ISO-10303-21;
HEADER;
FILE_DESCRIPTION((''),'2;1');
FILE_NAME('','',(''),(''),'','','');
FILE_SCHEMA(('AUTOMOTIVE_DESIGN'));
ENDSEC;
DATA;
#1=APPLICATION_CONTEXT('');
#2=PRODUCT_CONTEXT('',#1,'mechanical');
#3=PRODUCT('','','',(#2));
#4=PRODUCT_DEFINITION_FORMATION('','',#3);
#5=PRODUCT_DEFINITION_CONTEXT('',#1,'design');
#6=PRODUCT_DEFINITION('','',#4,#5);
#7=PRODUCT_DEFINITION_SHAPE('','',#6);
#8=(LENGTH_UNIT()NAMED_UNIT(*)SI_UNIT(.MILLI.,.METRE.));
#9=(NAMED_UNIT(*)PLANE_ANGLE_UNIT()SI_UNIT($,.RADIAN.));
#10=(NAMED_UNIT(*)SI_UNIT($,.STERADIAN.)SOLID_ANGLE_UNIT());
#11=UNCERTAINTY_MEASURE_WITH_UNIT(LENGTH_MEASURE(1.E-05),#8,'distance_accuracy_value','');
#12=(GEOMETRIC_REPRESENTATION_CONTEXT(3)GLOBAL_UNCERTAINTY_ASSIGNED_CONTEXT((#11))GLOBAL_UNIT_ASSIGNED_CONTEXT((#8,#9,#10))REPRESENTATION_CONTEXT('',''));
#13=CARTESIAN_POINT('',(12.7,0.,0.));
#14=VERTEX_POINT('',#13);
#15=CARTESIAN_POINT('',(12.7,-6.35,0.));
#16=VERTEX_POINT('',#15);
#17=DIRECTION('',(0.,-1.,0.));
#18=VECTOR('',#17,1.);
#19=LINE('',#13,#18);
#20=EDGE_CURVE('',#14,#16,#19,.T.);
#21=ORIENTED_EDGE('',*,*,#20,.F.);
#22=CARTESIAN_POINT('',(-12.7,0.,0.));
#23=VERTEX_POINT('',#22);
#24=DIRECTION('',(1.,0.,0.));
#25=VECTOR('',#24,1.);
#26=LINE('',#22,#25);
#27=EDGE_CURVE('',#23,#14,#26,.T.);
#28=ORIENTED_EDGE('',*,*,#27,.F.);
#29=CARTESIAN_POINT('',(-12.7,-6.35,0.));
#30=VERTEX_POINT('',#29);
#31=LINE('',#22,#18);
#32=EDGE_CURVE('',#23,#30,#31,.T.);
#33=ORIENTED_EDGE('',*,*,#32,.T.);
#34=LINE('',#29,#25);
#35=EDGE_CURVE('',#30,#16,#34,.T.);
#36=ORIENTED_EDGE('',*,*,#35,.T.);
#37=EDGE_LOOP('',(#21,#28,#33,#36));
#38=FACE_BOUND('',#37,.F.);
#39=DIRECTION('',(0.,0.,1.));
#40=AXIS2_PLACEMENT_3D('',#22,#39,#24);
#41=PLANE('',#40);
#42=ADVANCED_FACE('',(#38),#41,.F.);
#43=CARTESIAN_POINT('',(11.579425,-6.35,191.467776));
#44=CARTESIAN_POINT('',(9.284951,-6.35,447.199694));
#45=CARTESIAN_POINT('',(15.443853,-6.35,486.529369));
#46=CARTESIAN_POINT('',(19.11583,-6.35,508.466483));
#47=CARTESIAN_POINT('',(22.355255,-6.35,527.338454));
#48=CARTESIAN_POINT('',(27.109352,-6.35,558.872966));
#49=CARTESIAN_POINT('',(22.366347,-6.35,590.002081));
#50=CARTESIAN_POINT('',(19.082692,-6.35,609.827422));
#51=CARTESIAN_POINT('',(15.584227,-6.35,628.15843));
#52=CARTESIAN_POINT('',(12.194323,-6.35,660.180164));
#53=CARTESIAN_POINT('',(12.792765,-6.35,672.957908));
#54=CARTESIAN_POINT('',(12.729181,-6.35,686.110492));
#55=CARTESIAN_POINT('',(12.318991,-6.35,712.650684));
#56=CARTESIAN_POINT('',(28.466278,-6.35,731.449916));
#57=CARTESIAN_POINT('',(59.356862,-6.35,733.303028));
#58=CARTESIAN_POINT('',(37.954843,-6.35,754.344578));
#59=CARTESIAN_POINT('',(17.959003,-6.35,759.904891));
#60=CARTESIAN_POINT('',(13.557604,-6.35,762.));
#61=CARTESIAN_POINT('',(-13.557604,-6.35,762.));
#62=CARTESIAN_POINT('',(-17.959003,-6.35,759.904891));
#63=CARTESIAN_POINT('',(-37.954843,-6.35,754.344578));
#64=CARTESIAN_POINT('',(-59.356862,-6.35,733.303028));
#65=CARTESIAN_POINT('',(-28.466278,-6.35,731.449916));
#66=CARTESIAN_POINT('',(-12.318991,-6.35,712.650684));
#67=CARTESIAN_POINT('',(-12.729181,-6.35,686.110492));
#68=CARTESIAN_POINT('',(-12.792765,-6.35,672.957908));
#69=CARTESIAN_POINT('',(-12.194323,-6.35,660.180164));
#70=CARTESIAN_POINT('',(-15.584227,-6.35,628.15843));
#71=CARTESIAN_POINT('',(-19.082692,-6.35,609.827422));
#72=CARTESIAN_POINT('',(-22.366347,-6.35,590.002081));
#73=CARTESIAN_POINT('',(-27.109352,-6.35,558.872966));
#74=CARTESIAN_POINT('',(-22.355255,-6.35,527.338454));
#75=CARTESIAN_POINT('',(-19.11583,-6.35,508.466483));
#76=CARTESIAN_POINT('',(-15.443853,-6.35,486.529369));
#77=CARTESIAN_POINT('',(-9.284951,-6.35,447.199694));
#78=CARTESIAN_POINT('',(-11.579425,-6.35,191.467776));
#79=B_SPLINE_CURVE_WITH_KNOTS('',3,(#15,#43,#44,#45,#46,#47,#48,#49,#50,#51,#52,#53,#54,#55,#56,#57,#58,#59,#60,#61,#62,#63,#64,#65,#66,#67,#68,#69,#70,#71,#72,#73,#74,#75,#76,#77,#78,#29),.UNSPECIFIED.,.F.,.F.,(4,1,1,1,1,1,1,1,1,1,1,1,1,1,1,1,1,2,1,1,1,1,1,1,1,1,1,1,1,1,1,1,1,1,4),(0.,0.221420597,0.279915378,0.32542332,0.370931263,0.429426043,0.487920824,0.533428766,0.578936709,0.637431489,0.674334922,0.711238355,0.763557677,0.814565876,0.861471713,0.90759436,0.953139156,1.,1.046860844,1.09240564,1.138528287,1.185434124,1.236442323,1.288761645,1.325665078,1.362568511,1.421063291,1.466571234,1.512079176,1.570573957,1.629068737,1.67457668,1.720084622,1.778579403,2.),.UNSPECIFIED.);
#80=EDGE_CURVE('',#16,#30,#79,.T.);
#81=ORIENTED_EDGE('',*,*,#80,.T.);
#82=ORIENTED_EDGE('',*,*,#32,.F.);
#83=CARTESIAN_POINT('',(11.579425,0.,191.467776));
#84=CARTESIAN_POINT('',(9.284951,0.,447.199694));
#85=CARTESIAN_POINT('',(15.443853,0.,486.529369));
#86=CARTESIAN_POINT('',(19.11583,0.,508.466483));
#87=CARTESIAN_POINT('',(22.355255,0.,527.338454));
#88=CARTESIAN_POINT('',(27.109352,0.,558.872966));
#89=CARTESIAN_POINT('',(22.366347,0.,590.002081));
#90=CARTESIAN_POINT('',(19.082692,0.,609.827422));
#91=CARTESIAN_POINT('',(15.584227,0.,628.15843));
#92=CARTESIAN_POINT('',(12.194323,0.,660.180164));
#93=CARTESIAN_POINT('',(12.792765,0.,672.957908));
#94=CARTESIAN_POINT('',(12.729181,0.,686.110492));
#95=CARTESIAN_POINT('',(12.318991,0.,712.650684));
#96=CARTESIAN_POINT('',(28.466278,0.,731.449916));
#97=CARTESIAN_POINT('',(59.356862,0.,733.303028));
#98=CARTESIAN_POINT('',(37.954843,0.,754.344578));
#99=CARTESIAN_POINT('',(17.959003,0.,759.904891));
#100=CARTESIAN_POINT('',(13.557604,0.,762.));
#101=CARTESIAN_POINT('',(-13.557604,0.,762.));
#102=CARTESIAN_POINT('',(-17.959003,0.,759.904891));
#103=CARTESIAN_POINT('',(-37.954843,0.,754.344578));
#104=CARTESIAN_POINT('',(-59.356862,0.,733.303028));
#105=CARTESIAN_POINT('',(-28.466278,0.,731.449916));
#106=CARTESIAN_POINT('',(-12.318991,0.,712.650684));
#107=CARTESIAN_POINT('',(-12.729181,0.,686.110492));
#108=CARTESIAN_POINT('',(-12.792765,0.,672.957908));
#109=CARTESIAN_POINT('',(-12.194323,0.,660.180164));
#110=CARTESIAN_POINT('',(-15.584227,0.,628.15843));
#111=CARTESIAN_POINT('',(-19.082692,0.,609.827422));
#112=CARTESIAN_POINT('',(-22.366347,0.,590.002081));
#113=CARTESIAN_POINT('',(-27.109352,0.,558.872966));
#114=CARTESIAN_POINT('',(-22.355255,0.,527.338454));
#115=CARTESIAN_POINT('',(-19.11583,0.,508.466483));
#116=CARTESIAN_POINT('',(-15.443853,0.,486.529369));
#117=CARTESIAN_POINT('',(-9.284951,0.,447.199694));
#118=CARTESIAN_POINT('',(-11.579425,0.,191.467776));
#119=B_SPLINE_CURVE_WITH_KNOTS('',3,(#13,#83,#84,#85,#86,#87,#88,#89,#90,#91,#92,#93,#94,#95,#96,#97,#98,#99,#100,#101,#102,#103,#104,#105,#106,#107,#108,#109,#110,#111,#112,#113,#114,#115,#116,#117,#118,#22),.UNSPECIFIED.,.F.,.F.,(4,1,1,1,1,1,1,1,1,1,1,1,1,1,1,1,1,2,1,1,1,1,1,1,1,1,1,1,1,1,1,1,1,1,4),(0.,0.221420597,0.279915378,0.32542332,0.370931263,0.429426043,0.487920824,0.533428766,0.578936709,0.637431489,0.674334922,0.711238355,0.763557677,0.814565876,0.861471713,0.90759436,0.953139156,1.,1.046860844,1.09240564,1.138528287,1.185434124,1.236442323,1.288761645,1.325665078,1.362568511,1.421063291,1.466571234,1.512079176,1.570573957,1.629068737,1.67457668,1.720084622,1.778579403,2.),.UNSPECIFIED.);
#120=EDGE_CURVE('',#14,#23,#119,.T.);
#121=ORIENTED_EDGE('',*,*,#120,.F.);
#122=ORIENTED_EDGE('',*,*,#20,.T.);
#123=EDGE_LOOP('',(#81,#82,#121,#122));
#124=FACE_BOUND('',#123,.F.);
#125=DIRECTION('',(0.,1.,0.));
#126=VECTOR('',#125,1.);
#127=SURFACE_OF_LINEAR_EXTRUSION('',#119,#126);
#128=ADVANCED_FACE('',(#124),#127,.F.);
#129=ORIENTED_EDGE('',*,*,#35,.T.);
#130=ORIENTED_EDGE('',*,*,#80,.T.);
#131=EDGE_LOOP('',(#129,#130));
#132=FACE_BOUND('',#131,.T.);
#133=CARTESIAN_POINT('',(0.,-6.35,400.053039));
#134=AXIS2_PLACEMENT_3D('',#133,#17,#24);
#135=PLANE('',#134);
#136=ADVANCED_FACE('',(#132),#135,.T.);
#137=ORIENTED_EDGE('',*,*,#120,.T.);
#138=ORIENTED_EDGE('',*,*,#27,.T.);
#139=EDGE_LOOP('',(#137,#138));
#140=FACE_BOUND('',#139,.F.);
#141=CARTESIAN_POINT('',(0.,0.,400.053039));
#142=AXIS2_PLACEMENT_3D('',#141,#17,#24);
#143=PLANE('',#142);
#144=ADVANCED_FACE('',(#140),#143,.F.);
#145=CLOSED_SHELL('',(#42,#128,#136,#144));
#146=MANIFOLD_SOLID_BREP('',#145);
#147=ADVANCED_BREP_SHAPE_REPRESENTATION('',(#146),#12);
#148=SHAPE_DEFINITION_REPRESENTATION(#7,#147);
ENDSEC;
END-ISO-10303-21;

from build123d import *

# Parameters (mm, degrees)
F1_DEPTH = 6.35


with BuildPart() as f1:
    # F0 (on Front) → F1 (new body)
    with BuildSketch(Plane.XZ):
        with BuildLine():
            Line((-12.7, 0), (12.7, 0))
            add(Edge.make_bspline(
                [(12.7, 0), (11.5794250783, 191.4677760198), (9.2849510081, 447.1996937122), (15.4438525245, 486.5293687756), (19.115830028, 508.4664829813), (22.3552548502, 527.3384539621), (27.1093522363, 558.8729661415), (22.3663468355, 590.0020809248), (19.0826918489, 609.8274219403), (15.5842268837, 628.1584301558), (12.1943226883, 660.1801640391), (12.7927649609, 672.9579075438), (12.7291814017, 686.1104919109), (12.318990819, 712.6506840047), (28.4662778632, 731.4499158992), (59.3568623886, 733.3030280902), (37.9548429275, 754.3445778657), (17.9590030563, 759.904891328), (13.5576038138, 762), (0, 762)],
                knots=[0, 0, 0, 0, 0.2214205971, 0.2799153775, 0.3254233202, 0.3709312629, 0.4294260433, 0.4879208237, 0.5334287664, 0.5789367091, 0.6374314895, 0.6743349223, 0.7112383552, 0.7635576773, 0.8145658756, 0.861471713, 0.90759436, 0.9531391562, 1, 1, 1, 1], degree=3))
            add(Edge.make_bspline(
                [(-12.7, 0), (-11.5794250783, 191.4677760198), (-9.2849510081, 447.1996937122), (-15.4438525245, 486.5293687756), (-19.115830028, 508.4664829813), (-22.3552548502, 527.3384539621), (-27.1093522363, 558.8729661415), (-22.3663468355, 590.0020809248), (-19.0826918489, 609.8274219403), (-15.5842268837, 628.1584301558), (-12.1943226883, 660.1801640391), (-12.7927649609, 672.9579075438), (-12.7291814017, 686.1104919109), (-12.318990819, 712.6506840047), (-28.4662778632, 731.4499158992), (-59.3568623886, 733.3030280902), (-37.9548429275, 754.3445778657), (-17.9590030563, 759.904891328), (-13.5576038138, 762), (0, 762)],
                knots=[0, 0, 0, 0, 0.2214205971, 0.2799153775, 0.3254233202, 0.3709312629, 0.4294260433, 0.4879208237, 0.5334287664, 0.5789367091, 0.6374314895, 0.6743349223, 0.7112383552, 0.7635576773, 0.8145658756, 0.861471713, 0.90759436, 0.9531391562, 1, 1, 1, 1], degree=3))
        make_face()
    extrude(amount=F1_DEPTH)


solid = f1.part
